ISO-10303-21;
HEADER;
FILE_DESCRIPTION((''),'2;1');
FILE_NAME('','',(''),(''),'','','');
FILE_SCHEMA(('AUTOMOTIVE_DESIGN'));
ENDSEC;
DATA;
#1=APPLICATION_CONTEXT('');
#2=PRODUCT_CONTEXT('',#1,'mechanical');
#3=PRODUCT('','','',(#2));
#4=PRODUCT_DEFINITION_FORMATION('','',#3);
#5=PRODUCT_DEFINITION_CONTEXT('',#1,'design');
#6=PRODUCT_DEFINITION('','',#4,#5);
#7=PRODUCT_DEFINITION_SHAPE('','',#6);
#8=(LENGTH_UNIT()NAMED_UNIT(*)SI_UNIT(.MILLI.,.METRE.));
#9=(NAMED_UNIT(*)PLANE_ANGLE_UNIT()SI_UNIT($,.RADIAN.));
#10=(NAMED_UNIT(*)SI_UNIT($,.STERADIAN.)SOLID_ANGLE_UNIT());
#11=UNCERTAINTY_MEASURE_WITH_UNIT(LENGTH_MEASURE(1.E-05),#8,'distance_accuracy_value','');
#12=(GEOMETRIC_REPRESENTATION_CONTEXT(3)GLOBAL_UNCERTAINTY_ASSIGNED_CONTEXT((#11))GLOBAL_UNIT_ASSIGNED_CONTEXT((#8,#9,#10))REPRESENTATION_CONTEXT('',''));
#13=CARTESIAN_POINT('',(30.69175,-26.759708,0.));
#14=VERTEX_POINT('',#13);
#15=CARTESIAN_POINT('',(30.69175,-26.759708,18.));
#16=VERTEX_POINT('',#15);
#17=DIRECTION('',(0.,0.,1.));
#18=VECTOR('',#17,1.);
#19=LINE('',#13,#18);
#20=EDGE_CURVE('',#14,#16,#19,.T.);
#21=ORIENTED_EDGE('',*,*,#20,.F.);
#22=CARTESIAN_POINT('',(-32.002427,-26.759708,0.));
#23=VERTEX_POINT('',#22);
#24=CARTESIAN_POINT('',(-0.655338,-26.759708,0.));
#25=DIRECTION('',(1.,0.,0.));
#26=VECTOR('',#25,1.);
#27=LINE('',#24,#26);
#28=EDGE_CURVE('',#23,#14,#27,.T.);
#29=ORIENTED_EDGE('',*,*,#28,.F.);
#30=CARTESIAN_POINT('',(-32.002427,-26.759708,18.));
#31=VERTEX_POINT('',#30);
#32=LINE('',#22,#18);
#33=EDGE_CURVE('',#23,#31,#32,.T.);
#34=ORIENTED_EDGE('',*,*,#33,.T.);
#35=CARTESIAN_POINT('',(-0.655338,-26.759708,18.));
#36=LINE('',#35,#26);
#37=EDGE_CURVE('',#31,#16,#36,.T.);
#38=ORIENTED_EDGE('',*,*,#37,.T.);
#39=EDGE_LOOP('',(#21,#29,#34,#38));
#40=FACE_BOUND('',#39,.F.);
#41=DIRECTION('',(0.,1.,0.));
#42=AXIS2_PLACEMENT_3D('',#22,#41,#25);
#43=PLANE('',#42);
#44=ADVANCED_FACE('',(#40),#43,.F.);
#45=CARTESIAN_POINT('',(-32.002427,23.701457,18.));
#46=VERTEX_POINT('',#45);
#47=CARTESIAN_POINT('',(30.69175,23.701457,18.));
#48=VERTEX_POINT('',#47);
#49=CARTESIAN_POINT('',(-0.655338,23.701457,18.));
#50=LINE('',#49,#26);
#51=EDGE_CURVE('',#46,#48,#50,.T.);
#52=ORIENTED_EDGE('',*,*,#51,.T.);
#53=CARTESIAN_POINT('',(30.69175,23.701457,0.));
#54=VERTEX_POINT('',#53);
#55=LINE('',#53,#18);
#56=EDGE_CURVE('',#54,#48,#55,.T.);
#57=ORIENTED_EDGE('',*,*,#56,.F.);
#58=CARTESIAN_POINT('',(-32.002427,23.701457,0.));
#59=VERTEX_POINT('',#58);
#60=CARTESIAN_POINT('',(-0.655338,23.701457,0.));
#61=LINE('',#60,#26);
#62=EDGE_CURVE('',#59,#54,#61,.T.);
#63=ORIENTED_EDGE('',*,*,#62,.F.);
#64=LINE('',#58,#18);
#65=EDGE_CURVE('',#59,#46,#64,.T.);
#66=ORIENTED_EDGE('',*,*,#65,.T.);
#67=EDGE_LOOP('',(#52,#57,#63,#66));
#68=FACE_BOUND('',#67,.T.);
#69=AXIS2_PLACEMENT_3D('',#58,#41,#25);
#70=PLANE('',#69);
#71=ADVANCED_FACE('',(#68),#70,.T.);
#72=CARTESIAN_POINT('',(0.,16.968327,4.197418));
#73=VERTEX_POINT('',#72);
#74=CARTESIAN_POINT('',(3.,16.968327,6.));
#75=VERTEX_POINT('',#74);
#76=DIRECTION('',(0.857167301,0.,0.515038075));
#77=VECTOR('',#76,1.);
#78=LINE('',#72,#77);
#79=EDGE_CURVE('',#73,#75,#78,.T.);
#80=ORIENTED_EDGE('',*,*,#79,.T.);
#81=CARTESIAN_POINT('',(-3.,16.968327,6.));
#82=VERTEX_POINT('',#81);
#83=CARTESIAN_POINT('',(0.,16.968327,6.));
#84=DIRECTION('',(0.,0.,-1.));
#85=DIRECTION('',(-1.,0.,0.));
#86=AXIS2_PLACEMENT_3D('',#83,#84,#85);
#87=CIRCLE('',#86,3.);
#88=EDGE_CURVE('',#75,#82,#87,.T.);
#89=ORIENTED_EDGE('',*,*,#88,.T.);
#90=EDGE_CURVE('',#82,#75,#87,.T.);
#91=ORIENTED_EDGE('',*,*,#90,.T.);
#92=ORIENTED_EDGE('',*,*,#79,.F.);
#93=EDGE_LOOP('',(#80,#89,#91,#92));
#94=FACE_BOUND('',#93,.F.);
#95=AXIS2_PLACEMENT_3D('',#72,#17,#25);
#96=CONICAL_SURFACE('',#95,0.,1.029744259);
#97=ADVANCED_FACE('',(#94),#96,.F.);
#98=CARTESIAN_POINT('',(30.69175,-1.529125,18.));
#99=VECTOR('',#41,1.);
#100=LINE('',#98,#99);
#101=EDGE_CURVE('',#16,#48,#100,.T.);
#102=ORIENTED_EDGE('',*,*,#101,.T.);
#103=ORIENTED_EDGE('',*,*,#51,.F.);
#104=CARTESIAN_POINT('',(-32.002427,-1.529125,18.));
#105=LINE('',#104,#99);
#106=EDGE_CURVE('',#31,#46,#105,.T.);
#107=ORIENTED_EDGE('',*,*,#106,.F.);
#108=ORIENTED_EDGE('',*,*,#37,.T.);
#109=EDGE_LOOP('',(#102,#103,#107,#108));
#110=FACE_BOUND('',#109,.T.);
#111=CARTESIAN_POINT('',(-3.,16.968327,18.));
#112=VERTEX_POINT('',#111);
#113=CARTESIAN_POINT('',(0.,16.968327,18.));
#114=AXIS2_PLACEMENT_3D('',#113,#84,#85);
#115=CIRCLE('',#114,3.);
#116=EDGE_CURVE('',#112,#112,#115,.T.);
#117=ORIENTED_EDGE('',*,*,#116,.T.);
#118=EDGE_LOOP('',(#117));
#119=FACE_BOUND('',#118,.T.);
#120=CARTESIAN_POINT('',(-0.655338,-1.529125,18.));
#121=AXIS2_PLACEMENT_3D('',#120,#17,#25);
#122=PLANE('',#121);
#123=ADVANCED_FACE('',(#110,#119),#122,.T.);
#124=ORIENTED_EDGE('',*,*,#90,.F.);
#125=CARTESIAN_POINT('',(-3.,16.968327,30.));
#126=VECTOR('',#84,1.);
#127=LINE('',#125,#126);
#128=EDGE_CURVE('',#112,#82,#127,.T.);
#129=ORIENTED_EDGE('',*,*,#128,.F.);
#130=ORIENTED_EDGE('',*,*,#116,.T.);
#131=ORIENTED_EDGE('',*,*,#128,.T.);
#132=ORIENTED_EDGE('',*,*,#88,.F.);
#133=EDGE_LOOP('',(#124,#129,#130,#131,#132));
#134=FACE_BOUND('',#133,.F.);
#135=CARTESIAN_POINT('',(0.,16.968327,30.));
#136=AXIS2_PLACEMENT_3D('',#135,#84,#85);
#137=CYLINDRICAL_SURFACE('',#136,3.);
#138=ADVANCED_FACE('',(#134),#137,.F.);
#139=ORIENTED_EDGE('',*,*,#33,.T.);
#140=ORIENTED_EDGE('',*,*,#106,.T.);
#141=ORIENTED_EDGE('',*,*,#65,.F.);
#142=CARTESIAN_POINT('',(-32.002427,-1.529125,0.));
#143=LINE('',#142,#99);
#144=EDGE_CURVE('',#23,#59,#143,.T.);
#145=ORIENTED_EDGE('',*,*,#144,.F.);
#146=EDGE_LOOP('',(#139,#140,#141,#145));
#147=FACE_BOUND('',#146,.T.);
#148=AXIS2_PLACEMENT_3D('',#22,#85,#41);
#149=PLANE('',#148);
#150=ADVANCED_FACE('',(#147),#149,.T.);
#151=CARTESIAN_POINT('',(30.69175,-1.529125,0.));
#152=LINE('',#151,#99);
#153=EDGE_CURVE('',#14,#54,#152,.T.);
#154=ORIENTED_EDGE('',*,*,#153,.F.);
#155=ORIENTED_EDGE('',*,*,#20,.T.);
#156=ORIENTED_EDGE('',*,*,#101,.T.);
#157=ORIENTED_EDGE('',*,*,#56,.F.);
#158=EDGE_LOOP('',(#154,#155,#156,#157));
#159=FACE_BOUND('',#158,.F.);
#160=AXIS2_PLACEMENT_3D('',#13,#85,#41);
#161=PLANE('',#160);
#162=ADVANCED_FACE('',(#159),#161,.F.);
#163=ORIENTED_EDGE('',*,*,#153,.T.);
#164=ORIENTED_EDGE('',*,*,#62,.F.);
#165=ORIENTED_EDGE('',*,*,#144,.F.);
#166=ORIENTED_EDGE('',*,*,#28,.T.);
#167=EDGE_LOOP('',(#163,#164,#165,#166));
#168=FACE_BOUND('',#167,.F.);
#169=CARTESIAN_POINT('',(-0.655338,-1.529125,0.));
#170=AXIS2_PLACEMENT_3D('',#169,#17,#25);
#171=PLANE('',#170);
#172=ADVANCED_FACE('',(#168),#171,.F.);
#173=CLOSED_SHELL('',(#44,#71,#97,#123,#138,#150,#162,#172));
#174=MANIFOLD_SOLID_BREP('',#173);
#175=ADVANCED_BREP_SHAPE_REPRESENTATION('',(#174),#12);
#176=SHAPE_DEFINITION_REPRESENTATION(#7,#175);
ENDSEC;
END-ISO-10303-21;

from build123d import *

# Parameters (mm, degrees)
F0_W     = 62.6941770315
F0_H     = 50.461165607
F1_DEPTH = 18
F3_D     = 6
F3_DEPTH = 12
F3_TIP   = 1.8025818571


with BuildPart() as f1:
    # F0 (on Top) → F1 (new body)
    with BuildSketch(Plane.XY):
        with Locations((-0.6553381681, -1.5291254967)):
            Rectangle(F0_W, F0_H)
    extrude(amount=F1_DEPTH)

    # F3
    with Locations(Plane.XY.offset(18)):
        with Locations((0, 16.9683266431)):
            Hole(F3_D / 2, depth=F3_DEPTH)
            with Locations((0, 0, -(F3_DEPTH + F3_TIP / 2))):  # 118° drill point
                Cone(0, F3_D / 2, F3_TIP, mode=Mode.SUBTRACT)


solid = f1.part
